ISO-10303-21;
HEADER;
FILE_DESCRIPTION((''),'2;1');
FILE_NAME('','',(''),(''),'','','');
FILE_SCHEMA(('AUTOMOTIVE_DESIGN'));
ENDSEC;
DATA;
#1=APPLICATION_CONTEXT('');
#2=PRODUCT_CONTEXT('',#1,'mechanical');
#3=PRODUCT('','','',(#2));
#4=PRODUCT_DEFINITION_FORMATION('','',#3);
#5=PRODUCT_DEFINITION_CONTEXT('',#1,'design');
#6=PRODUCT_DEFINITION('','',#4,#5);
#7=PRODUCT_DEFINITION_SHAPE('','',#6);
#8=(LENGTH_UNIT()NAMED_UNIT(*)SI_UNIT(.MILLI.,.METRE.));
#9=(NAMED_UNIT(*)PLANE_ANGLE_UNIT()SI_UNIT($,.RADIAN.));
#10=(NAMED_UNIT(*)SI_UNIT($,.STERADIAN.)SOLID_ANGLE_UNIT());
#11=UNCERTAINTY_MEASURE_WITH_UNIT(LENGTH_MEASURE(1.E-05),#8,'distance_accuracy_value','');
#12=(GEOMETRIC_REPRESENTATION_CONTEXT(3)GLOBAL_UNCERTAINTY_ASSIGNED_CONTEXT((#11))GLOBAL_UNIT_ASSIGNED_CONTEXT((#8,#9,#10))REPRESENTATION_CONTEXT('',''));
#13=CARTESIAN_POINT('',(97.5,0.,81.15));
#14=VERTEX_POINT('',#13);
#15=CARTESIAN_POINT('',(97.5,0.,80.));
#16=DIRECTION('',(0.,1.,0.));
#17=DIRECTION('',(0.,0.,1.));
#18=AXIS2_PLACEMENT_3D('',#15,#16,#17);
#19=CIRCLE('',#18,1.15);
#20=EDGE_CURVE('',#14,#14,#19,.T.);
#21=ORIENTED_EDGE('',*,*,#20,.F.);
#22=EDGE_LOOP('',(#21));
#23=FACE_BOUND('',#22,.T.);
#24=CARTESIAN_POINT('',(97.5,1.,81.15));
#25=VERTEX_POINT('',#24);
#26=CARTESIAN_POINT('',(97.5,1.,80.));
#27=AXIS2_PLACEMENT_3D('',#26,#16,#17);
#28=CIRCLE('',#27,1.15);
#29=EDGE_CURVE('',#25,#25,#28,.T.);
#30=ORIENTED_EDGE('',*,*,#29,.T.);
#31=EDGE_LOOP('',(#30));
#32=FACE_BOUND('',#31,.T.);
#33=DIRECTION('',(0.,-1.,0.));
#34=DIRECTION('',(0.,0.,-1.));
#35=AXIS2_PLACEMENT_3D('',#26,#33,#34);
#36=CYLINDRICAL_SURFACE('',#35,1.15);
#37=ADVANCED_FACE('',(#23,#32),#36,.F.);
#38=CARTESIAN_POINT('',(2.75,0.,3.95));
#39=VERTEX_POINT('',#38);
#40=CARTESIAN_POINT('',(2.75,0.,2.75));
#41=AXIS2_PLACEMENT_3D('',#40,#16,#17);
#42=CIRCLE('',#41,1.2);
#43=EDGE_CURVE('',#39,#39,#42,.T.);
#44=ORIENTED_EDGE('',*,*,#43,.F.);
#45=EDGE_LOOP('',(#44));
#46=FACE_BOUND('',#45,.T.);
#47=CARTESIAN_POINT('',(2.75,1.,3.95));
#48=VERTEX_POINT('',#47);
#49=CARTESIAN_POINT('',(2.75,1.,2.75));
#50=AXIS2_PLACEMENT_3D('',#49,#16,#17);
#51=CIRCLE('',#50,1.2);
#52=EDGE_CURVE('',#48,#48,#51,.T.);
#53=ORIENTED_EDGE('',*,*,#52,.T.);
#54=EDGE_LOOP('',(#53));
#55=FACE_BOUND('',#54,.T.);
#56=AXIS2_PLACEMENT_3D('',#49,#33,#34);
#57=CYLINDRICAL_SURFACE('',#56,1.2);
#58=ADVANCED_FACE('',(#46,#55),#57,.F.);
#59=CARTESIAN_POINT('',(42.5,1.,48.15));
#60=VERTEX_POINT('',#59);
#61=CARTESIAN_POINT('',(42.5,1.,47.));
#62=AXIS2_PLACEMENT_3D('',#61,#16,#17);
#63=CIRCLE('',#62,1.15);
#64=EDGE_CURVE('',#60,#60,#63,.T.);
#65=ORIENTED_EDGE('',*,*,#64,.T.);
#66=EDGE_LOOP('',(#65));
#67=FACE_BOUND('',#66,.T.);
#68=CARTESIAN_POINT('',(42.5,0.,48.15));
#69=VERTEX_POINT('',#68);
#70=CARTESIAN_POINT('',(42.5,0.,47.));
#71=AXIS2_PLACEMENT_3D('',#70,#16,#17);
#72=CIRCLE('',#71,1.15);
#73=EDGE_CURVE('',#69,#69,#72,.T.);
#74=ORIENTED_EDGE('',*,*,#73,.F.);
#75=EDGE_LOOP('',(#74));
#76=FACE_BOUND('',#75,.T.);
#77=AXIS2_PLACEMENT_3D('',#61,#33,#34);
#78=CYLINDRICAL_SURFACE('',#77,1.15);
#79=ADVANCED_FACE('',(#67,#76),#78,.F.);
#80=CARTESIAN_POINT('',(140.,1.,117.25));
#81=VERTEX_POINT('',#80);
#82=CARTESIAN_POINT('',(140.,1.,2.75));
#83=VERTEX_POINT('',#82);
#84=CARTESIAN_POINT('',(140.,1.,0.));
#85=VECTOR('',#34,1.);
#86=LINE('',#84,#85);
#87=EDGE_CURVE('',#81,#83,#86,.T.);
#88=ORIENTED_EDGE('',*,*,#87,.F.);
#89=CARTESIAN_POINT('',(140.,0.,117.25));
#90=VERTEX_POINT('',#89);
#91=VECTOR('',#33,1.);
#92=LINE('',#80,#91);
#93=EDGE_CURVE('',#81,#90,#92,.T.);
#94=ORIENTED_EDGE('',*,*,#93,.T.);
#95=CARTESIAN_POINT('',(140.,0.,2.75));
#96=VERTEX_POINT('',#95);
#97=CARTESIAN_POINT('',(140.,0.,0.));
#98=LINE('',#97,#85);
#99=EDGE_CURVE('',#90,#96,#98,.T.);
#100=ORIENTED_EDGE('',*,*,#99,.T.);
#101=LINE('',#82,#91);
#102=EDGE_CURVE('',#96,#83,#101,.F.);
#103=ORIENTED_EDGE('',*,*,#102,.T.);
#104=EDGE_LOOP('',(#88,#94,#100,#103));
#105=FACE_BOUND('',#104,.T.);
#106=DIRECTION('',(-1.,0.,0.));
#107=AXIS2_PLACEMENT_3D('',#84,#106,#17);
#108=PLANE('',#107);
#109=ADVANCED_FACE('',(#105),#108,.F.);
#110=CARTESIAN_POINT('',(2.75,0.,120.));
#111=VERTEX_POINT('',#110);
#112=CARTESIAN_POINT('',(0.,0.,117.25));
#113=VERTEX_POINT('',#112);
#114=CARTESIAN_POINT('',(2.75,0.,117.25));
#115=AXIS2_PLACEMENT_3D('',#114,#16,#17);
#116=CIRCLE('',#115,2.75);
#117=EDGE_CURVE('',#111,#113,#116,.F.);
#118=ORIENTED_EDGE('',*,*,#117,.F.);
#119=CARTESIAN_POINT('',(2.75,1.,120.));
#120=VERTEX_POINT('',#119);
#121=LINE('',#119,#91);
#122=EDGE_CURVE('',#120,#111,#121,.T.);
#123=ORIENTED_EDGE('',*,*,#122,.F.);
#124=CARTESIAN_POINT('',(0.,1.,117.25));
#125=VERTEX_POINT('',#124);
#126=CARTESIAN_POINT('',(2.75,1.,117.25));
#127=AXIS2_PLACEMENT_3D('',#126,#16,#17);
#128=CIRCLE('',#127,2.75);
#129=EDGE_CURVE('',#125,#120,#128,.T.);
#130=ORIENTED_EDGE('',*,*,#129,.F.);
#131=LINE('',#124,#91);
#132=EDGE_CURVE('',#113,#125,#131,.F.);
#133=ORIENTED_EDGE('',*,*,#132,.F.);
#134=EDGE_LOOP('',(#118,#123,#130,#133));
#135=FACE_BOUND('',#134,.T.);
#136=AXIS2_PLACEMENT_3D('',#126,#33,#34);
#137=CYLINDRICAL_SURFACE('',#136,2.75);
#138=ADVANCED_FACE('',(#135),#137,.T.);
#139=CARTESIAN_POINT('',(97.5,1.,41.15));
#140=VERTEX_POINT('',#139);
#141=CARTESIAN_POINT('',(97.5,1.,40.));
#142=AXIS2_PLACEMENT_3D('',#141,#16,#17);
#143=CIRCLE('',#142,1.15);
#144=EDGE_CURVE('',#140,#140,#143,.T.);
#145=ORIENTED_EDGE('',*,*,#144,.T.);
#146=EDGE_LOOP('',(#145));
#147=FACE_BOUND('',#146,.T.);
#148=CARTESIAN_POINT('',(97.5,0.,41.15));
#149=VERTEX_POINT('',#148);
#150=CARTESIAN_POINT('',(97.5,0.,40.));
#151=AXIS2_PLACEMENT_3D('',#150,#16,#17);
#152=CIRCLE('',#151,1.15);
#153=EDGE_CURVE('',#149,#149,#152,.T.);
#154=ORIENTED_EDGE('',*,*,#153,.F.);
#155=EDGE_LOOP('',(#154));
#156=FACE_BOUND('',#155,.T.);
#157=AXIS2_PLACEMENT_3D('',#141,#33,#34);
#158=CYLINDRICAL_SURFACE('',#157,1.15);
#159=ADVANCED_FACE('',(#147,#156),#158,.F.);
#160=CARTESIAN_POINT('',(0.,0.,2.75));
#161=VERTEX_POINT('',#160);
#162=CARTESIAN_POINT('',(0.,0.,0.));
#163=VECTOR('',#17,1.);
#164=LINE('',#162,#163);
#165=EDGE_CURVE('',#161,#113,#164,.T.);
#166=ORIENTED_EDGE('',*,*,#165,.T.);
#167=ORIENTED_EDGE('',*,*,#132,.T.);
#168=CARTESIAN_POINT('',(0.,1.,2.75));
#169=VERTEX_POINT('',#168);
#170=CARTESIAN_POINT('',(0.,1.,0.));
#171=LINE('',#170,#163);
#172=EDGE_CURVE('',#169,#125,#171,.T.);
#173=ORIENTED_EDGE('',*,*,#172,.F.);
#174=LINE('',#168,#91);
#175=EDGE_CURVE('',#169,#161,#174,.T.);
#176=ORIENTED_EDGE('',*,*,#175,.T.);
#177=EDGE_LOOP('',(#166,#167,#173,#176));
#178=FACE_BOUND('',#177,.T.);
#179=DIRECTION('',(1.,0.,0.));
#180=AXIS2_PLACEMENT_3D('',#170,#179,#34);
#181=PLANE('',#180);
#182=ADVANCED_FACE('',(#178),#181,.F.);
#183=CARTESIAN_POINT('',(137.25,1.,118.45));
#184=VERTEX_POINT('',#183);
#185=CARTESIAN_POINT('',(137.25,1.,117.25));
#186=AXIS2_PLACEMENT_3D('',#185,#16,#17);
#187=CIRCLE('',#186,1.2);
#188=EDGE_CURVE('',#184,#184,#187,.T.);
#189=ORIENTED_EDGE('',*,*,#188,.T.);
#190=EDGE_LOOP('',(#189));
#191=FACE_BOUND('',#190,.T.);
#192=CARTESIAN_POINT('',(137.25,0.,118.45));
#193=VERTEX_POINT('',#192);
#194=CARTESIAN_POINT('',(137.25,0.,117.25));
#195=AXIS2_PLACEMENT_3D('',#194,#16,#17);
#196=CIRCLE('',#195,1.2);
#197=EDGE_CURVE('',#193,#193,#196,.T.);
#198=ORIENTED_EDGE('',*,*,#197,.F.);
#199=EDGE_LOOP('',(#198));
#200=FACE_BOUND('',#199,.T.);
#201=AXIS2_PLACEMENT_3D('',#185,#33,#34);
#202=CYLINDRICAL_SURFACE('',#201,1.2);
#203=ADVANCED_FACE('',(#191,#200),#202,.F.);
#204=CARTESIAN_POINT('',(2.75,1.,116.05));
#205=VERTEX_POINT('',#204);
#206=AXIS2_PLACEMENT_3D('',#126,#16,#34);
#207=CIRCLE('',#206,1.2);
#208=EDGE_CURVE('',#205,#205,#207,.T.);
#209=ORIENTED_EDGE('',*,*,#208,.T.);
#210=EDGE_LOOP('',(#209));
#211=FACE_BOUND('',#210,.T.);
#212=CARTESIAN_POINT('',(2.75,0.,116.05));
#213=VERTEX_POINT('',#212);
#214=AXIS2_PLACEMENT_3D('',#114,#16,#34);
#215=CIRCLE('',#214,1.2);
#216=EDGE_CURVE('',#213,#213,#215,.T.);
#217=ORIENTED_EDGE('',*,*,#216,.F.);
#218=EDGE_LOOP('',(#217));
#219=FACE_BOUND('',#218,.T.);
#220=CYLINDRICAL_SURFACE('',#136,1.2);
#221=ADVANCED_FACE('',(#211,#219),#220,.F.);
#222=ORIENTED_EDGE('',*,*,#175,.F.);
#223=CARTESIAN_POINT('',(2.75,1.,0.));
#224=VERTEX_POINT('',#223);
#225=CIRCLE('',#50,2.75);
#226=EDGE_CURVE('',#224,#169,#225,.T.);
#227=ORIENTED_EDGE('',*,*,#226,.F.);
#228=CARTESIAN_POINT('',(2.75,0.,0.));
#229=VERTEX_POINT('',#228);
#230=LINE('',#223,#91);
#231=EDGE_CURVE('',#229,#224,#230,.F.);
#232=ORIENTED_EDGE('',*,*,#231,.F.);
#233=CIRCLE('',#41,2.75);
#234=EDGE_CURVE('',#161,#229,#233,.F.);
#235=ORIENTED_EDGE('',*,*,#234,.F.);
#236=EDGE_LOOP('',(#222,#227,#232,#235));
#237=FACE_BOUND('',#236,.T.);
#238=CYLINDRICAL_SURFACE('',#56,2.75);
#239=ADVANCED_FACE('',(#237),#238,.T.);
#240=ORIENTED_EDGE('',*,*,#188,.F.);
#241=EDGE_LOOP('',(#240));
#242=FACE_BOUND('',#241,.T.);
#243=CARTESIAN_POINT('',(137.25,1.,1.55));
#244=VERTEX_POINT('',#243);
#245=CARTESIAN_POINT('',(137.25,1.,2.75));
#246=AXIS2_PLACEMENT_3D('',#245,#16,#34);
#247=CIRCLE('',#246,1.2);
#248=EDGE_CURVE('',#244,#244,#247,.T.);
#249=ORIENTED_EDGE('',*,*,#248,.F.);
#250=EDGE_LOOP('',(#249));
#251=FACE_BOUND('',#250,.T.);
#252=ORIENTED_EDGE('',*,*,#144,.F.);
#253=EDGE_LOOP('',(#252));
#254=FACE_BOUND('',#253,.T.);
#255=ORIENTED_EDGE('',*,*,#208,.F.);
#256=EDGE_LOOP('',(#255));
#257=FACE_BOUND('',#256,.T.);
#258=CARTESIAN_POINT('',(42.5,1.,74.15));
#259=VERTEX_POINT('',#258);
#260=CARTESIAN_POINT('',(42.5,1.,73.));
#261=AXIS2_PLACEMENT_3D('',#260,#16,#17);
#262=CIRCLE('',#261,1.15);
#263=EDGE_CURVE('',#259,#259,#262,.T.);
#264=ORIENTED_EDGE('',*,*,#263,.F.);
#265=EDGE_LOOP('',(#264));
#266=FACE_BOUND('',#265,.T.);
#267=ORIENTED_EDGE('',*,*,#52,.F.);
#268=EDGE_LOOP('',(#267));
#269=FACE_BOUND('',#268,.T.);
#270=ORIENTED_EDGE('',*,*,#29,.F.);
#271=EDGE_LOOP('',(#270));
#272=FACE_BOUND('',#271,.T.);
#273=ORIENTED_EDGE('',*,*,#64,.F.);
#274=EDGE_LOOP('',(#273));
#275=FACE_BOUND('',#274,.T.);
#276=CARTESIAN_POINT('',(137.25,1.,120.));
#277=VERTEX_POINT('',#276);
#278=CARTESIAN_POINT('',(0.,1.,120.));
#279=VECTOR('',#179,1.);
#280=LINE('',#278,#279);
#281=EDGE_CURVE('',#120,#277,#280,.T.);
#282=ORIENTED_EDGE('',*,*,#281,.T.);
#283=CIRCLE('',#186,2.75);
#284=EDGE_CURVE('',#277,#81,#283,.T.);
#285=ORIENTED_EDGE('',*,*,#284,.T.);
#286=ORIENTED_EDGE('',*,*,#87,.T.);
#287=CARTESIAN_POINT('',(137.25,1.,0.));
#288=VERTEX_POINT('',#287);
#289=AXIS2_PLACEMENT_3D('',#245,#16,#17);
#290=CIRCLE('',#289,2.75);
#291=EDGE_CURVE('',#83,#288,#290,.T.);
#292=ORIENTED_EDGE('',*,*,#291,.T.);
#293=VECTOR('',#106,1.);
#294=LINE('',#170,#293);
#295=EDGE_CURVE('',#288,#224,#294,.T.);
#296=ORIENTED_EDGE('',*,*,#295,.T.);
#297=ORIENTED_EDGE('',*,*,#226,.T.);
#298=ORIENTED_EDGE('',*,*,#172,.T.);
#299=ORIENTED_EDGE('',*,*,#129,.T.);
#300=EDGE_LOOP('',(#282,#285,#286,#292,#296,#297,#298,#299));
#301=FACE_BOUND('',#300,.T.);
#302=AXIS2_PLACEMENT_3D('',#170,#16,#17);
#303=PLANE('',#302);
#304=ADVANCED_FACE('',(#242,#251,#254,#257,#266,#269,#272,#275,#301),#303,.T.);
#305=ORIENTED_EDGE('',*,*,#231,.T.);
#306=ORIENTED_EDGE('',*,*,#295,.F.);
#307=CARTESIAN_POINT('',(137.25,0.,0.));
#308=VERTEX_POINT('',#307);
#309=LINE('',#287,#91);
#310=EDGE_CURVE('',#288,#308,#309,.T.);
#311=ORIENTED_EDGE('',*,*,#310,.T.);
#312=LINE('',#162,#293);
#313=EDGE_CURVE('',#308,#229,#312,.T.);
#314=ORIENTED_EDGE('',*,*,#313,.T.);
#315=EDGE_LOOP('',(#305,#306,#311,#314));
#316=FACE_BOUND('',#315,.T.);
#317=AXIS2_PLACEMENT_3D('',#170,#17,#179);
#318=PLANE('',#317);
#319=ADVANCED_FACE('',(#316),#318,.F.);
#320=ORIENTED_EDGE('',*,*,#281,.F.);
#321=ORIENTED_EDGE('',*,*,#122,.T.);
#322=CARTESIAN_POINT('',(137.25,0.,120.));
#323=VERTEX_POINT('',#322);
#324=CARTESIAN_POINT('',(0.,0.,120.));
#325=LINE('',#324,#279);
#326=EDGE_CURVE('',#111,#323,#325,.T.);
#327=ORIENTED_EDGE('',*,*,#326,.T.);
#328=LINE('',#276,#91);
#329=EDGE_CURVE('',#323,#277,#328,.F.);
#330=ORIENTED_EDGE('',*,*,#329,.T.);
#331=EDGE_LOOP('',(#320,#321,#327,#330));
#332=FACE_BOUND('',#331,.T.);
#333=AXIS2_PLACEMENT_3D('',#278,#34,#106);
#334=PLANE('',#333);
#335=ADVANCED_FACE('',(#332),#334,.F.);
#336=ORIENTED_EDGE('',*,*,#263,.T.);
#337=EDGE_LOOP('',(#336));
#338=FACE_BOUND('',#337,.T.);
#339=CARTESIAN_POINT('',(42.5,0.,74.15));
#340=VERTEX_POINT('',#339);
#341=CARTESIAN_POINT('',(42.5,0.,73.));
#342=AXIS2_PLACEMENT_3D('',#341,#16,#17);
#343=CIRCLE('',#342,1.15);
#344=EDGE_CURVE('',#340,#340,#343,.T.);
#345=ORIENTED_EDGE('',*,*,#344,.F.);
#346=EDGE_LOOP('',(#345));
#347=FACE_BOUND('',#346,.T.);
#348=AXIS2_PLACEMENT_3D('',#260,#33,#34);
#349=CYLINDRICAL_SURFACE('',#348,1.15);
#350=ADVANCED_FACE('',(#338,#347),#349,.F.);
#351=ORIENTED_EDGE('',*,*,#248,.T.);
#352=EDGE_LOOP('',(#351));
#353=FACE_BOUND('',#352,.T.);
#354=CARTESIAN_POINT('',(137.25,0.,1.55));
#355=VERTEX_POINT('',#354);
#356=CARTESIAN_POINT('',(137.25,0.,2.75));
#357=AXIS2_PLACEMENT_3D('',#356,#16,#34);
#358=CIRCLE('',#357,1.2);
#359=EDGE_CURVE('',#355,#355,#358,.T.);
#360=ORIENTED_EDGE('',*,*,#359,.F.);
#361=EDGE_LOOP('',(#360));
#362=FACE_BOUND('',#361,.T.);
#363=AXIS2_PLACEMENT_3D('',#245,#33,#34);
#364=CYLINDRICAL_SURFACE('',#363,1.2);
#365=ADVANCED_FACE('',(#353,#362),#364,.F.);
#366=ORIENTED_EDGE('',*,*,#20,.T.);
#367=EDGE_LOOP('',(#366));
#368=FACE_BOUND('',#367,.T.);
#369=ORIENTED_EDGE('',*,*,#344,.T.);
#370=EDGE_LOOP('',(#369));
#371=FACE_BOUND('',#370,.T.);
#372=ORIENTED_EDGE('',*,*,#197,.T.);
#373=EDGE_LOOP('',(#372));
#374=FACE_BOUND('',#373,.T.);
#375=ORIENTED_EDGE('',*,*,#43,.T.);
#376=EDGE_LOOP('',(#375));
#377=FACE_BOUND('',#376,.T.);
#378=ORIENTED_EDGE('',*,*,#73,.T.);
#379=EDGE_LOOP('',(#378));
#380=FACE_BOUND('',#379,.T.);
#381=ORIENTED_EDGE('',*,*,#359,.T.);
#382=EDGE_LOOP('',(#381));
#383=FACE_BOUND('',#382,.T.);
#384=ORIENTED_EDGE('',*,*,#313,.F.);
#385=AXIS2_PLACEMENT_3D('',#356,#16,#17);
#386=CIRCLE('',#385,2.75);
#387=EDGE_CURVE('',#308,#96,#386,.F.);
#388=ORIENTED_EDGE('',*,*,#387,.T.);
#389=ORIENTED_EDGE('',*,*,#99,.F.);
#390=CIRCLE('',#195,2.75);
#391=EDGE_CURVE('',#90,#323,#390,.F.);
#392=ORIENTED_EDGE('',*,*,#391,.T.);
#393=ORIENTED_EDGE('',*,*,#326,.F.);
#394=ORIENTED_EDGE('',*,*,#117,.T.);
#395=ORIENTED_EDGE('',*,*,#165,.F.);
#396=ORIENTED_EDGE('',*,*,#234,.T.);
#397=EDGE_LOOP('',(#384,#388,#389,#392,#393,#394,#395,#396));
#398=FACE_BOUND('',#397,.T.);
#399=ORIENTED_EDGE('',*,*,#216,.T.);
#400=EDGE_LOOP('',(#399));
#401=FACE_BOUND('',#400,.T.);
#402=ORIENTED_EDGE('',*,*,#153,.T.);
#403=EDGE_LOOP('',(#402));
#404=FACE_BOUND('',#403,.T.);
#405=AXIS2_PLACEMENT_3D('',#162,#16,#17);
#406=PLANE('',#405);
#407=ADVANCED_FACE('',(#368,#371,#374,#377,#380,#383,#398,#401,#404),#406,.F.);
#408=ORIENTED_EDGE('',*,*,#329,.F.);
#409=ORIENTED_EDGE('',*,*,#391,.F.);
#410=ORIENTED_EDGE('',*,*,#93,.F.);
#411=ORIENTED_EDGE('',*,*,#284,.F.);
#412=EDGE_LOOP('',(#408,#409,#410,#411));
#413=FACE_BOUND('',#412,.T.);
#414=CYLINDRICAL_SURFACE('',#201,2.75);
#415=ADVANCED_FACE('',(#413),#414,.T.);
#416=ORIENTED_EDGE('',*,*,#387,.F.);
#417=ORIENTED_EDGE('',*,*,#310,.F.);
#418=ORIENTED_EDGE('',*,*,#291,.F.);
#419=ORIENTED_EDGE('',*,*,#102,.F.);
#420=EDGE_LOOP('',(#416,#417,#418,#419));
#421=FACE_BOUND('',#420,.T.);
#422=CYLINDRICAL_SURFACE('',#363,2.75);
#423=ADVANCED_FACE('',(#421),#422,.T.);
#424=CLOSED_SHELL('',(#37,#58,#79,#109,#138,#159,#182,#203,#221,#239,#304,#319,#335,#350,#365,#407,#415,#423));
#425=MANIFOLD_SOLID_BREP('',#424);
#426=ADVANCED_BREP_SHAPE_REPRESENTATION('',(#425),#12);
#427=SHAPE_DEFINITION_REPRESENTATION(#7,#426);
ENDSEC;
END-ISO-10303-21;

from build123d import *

# Parameters (mm, degrees)
SKETCH1_W           = 140
SKETCH1_H           = 120
SKETCH1_R           = 1.2
SKETCH1_R_2         = 1.15
BOSS_EXTRUDE1_DEPTH = 1
FILLET1_R           = 2.75


with BuildPart() as part:
    # Sketch1 → Boss-Extrude1 (new body)
    with BuildSketch(Plane(origin=(0, 0, 0), x_dir=(1, 0, 0), z_dir=(0, 1, 0))):
        with Locations((70, -60)):
            Rectangle(SKETCH1_W, SKETCH1_H)
        with Locations(Location((2.75, -2.75, 0), (0, 0, 270))):
            Circle(SKETCH1_R, mode=Mode.SUBTRACT)
        with Locations(Location((137.25, -2.75, 0), (0, 0, 90))):
            Circle(SKETCH1_R, mode=Mode.SUBTRACT)
        with Locations(Location((137.25, -117.25, 0), (0, 0, 270))):
            Circle(SKETCH1_R, mode=Mode.SUBTRACT)
        with Locations(Location((2.75, -117.25, 0), (0, 0, 90))):
            Circle(SKETCH1_R, mode=Mode.SUBTRACT)
        with Locations(Location((42.5, -47, 0), (0, 0, 270))):
            Circle(SKETCH1_R_2, mode=Mode.SUBTRACT)
        with Locations(Location((97.5, -40, 0), (0, 0, 270))):
            Circle(SKETCH1_R_2, mode=Mode.SUBTRACT)
        with Locations(Location((42.5, -73, 0), (0, 0, 270))):
            Circle(SKETCH1_R_2, mode=Mode.SUBTRACT)
        with Locations(Location((97.5, -80, 0), (0, 0, 270))):
            Circle(SKETCH1_R_2, mode=Mode.SUBTRACT)
    extrude(amount=BOSS_EXTRUDE1_DEPTH)

    # Fillet1
    fillet1_edges = [part.edges().sort_by_distance(p)[0] for p in [
        (0, 0.5, 0),
        (140, 0.5, 0),
        (140, 0.5, 120),
        (0, 0.5, 120),
    ]]
    fillet(fillet1_edges, radius=FILLET1_R)


solid = part.part
